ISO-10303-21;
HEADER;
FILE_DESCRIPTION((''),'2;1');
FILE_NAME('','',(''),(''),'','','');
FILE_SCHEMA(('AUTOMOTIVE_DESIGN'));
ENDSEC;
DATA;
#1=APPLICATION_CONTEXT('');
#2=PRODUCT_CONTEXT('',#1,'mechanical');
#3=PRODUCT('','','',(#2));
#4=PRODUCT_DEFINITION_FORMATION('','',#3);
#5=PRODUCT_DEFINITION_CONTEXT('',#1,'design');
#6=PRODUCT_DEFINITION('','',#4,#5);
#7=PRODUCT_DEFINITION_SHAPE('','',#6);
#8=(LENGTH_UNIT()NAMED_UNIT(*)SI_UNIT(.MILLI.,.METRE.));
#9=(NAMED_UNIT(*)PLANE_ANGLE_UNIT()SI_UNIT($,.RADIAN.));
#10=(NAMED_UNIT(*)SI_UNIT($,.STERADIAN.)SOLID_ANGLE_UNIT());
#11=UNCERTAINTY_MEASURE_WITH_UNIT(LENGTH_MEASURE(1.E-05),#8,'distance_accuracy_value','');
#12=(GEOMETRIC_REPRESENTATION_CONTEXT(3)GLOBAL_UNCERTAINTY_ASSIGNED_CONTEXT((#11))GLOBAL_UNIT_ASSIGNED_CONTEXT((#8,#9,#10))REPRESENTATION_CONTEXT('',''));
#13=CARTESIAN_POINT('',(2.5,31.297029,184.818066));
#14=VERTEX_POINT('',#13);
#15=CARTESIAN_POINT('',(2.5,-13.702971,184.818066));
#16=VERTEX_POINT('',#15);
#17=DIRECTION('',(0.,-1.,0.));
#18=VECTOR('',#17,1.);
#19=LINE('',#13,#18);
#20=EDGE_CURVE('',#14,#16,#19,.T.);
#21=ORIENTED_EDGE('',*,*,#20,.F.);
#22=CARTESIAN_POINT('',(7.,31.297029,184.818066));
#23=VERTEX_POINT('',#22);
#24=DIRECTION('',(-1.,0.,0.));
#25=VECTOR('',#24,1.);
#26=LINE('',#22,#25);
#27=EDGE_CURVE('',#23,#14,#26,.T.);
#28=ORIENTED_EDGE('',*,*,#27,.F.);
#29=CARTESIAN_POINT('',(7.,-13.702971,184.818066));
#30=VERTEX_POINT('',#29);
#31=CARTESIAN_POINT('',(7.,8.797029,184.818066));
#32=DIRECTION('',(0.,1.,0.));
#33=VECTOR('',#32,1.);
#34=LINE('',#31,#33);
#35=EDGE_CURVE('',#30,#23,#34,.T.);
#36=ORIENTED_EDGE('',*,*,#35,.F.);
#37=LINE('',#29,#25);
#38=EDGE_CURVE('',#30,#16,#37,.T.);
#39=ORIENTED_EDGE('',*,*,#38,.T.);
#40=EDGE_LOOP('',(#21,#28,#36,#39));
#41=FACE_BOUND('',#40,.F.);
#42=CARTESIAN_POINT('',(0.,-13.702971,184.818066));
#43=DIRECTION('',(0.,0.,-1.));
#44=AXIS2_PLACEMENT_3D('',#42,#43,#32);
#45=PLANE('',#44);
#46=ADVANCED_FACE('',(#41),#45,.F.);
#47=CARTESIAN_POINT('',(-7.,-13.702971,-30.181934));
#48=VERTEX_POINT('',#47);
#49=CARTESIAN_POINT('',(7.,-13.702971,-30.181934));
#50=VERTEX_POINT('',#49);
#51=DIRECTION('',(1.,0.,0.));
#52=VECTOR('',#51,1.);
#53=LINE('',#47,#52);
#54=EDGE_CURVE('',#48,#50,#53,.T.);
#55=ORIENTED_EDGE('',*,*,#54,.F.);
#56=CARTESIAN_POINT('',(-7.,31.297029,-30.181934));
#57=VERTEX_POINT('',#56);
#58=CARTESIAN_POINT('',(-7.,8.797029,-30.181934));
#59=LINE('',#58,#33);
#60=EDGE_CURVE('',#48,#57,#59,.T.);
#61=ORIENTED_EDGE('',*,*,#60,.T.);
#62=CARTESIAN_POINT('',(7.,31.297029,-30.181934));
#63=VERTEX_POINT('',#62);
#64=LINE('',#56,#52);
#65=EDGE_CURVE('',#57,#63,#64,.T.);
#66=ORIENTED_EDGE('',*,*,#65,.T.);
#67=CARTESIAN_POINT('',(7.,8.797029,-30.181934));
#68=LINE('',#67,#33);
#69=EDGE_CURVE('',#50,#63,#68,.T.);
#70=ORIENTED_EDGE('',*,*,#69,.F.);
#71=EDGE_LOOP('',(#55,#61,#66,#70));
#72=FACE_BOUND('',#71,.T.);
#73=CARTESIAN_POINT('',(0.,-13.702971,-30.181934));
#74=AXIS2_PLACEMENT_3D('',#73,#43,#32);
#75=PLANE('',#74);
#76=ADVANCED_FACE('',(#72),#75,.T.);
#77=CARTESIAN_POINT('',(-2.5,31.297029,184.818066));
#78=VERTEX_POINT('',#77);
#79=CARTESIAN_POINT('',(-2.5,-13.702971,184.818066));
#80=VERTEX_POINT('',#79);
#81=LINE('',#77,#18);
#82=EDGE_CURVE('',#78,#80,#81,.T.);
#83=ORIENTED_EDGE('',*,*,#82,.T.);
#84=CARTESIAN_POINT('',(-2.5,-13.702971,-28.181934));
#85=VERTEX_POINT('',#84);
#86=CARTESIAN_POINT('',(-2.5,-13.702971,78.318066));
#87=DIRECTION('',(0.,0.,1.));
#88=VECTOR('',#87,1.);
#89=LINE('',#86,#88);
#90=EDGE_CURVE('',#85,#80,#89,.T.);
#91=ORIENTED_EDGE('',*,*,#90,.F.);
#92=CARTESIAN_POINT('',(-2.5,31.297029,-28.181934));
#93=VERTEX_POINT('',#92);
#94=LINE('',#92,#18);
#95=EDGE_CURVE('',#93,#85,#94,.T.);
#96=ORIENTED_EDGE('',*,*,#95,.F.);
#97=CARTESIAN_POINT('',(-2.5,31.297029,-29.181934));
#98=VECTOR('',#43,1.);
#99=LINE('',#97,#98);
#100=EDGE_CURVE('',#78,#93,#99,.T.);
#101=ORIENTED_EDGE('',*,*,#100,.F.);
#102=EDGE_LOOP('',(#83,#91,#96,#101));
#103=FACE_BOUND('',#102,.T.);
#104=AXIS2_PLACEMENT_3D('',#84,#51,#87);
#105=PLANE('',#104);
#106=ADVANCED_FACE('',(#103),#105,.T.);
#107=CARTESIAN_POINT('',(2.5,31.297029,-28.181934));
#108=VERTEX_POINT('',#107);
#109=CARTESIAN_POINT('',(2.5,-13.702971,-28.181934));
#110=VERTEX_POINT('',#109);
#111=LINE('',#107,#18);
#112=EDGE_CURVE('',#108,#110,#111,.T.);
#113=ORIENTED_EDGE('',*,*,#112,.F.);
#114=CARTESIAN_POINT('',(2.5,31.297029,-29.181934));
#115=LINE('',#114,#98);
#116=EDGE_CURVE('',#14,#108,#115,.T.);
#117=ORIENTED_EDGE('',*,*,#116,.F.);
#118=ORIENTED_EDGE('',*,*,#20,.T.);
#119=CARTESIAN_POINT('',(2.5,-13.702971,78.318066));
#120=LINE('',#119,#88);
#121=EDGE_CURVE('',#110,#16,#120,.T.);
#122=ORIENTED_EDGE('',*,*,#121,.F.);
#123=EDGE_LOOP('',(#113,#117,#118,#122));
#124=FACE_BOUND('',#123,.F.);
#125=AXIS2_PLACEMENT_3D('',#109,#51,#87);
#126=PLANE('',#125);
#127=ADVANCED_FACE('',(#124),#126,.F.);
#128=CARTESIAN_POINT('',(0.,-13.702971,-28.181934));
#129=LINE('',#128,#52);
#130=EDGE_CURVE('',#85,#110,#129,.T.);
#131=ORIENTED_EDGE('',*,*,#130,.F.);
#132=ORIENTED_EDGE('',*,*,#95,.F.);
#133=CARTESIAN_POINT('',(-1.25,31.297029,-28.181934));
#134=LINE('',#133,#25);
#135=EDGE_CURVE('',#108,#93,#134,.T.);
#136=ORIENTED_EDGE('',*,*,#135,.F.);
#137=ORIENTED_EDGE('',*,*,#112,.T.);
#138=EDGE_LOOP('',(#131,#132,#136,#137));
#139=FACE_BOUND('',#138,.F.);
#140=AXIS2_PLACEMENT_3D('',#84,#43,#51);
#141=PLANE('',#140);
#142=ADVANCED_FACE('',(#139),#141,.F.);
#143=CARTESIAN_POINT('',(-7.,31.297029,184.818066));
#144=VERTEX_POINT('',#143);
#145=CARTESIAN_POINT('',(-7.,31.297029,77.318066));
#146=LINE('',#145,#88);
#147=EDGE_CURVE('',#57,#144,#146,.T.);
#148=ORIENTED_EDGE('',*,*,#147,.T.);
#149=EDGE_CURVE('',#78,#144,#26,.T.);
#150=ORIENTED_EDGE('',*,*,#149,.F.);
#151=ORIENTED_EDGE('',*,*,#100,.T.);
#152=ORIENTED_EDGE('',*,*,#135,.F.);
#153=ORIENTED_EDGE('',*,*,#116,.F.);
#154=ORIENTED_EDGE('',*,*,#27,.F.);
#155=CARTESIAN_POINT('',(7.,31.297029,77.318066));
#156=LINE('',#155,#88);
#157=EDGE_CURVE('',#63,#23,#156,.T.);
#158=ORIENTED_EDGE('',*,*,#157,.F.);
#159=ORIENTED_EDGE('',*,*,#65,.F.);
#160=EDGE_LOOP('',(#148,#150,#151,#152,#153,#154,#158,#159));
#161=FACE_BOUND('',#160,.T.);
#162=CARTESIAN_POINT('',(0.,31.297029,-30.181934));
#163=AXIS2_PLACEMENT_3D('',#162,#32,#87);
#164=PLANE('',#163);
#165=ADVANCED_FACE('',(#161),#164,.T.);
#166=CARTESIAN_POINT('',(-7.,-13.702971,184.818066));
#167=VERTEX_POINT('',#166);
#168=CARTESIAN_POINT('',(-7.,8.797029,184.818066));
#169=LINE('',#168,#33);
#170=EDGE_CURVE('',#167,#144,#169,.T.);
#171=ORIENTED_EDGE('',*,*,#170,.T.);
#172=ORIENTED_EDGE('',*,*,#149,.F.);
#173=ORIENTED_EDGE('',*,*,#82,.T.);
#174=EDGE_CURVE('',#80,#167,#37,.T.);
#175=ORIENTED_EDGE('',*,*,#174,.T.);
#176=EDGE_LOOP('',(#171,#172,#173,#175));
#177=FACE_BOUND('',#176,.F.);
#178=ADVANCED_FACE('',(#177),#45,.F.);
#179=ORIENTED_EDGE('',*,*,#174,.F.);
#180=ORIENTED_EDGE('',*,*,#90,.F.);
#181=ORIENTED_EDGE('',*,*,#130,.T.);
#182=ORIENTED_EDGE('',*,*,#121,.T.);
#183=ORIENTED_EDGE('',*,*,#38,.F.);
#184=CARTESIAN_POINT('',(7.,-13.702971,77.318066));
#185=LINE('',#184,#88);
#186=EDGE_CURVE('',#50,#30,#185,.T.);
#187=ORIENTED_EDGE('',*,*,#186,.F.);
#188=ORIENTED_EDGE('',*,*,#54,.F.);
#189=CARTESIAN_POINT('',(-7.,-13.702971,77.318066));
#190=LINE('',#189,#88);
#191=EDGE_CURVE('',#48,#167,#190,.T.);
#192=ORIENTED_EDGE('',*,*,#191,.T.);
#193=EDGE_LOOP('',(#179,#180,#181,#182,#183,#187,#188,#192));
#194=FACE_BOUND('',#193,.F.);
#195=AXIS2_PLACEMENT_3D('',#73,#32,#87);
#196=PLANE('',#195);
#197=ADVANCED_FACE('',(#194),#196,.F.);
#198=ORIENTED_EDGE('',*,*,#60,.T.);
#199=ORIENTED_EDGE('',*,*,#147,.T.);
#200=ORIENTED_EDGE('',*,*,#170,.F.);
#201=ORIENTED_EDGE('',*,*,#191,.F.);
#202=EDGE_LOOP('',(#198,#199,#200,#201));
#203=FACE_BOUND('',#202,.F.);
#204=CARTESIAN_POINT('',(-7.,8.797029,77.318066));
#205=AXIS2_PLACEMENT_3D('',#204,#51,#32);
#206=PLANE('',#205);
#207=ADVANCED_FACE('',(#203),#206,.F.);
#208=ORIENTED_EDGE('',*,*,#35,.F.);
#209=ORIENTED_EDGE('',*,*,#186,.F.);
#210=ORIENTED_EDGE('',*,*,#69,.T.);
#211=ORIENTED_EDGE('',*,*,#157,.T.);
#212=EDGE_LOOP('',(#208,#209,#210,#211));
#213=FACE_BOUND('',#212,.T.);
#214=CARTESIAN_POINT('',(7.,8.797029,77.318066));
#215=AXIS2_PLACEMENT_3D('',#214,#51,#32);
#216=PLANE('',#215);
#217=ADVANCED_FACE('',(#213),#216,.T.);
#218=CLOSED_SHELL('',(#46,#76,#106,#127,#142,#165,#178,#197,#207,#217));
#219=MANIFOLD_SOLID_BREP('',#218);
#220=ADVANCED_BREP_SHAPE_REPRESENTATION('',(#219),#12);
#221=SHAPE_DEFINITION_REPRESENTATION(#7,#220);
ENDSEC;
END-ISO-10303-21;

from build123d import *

# Parameters (mm, degrees)
F0_W          = 45
F0_H          = 215
F1_DEPTH      = 7
F1_DEPTH_BACK = 7
F2_W          = 5
F2_H          = 213
F3_DEPTH      = 70
F3_DEPTH_BACK = 25


with BuildPart() as f1:
    # F0 (on Right) → F1 (new body, two sides)
    with BuildSketch(Plane.YZ) as f1_sk:
        with Locations((8.797029, 77.318066)):
            Rectangle(F0_W, F0_H)
    extrude(amount=F1_DEPTH)
    extrude(f1_sk.sketch, amount=-F1_DEPTH_BACK)

    # F2 (on face) → F3 (cut, two sides)
    with BuildSketch(Plane.XZ.offset(13.702971)) as f3_sk:
        with Locations((0, 78.318066)):
            Rectangle(F2_W, F2_H)
    extrude(amount=-F3_DEPTH, mode=Mode.SUBTRACT)
    extrude(f3_sk.sketch, amount=-F3_DEPTH_BACK, mode=Mode.SUBTRACT)


solid = f1.part
